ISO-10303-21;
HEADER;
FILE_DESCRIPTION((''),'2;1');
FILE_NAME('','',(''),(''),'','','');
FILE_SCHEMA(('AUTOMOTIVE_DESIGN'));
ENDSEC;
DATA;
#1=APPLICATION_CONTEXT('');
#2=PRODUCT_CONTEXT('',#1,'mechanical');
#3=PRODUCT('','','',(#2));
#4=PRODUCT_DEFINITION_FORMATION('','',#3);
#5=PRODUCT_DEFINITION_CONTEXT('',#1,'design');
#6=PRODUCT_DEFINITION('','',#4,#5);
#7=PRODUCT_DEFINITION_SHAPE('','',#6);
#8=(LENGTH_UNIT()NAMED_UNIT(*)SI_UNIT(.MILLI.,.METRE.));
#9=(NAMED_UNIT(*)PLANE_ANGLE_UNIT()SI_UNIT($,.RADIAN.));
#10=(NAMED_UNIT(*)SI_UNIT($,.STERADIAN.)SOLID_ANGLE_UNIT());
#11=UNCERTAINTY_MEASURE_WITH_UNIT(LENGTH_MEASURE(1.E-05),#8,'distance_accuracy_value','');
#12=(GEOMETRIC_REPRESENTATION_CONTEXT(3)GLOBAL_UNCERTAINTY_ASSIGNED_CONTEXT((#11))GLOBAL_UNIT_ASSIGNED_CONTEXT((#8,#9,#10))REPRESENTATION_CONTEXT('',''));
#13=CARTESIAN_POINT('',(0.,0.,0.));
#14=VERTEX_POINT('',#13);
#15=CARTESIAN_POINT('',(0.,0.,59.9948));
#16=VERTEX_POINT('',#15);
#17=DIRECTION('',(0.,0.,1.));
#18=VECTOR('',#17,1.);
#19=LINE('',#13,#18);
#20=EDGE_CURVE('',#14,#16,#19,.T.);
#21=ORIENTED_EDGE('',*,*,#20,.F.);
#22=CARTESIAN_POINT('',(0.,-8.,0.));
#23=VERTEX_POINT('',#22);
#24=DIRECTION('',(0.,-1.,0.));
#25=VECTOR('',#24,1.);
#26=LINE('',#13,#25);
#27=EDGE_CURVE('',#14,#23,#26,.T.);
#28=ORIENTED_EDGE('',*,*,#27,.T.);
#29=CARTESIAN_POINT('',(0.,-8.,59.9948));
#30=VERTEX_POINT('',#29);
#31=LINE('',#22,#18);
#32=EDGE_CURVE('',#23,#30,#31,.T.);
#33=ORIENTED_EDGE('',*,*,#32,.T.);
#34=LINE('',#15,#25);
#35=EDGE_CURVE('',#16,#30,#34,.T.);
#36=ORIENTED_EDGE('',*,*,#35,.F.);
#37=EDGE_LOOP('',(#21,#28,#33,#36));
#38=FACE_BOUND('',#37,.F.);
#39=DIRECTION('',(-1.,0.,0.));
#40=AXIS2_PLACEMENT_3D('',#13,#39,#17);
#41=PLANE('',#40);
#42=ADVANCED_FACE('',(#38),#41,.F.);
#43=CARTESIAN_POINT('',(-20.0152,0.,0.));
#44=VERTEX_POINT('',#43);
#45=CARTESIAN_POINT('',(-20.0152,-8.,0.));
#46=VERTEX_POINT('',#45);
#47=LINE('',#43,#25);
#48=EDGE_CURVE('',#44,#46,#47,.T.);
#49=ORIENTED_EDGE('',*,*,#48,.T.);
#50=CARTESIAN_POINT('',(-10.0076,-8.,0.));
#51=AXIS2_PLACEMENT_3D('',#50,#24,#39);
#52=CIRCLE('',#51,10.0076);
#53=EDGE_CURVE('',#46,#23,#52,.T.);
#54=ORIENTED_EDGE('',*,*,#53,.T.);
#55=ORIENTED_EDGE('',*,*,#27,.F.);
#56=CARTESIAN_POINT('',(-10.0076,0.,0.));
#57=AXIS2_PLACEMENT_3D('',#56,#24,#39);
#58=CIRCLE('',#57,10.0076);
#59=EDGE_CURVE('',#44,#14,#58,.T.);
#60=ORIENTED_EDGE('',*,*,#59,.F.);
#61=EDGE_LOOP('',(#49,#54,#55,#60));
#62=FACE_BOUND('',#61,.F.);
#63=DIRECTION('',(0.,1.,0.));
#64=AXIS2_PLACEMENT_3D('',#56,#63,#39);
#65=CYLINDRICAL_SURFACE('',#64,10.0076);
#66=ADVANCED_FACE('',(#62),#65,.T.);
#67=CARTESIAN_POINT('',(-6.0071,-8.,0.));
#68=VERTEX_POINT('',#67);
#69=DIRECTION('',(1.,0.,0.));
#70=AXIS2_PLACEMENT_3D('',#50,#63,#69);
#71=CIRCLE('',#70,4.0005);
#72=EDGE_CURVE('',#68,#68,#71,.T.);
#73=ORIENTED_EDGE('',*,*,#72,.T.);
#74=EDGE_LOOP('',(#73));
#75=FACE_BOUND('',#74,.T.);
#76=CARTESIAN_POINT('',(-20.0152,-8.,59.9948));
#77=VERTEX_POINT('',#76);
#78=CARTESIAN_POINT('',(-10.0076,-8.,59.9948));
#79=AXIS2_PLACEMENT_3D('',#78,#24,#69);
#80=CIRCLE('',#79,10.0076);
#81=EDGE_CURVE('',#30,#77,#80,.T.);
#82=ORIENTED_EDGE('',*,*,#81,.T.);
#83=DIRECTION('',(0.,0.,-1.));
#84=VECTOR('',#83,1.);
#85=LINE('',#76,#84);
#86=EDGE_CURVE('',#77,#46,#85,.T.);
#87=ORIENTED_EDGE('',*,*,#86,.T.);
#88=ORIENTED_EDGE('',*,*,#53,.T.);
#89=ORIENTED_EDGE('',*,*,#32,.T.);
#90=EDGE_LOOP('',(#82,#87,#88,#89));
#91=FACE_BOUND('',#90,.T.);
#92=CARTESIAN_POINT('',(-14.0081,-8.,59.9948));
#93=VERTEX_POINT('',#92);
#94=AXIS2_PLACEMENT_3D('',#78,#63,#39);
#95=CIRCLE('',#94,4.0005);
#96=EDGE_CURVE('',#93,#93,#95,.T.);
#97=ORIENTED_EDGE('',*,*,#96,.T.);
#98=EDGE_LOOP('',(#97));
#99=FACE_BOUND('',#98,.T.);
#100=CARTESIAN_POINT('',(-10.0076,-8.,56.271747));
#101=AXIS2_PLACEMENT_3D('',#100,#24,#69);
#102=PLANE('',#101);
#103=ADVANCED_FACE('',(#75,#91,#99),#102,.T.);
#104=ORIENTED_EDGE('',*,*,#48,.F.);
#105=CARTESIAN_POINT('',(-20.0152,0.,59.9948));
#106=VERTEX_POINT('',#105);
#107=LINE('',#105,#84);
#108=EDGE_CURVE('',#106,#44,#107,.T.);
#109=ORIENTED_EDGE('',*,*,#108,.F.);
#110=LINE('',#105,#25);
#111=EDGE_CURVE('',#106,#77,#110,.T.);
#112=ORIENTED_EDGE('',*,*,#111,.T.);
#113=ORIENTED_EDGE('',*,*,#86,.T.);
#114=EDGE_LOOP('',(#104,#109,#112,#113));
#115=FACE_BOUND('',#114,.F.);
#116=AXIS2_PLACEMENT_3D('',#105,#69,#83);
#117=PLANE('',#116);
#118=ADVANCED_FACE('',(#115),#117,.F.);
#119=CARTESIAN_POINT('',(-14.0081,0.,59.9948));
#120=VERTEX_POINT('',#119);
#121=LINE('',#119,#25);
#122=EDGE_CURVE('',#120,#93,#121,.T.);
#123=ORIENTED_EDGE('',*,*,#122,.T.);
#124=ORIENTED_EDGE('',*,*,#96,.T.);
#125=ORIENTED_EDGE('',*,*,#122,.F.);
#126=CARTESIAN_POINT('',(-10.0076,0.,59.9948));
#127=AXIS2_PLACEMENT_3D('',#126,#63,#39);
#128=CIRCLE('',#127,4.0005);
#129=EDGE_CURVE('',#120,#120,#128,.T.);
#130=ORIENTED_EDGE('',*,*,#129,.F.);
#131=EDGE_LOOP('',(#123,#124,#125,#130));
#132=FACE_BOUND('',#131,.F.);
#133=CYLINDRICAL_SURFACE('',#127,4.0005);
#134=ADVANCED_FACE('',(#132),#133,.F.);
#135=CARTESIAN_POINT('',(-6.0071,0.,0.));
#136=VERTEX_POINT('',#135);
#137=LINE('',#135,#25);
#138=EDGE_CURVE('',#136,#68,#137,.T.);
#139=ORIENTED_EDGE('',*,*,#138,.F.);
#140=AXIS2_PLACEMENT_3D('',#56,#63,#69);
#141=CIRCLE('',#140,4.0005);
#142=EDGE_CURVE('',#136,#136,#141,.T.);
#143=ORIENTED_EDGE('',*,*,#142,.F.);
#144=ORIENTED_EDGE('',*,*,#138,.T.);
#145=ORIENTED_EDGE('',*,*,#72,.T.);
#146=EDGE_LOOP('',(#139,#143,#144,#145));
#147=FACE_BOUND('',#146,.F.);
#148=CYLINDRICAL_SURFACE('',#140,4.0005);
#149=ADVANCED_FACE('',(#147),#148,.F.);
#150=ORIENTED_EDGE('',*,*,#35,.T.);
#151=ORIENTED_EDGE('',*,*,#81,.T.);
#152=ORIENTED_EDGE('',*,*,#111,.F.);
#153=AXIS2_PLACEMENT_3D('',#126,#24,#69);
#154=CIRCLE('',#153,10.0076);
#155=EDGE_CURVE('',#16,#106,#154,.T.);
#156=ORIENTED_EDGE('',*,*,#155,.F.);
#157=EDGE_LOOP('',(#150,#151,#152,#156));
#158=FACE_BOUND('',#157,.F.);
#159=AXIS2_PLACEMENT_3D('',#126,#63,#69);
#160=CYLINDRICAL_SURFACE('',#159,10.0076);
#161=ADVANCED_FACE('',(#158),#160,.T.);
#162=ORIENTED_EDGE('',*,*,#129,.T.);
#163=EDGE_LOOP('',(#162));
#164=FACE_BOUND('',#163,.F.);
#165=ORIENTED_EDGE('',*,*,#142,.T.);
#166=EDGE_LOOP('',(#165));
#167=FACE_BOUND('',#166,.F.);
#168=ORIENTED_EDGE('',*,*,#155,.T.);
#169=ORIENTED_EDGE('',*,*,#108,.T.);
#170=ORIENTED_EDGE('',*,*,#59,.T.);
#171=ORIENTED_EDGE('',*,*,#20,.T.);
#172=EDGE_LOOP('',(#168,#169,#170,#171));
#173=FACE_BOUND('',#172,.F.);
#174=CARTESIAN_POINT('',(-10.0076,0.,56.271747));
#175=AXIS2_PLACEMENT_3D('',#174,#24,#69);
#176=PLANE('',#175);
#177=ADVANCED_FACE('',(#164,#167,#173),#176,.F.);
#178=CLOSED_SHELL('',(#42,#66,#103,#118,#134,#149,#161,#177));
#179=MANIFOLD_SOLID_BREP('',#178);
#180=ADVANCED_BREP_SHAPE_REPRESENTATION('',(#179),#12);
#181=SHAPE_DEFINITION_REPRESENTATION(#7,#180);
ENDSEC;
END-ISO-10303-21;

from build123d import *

# Parameters (mm, degrees)
F1_DEPTH = 8


with BuildPart() as f1:
    # F0 (on Front) → F1 (new body)
    with BuildSketch(Plane.XZ):
        with BuildLine():
            ThreePointArc((-20.0152, 59.9948), (-10.0076, 49.9872), (0, 59.9948))
            Line((0, 59.9948), (-6.0071, 59.9948))
            ThreePointArc((-6.0071, 59.9948), (-10.0076, 55.9943), (-14.0081, 59.9948))
            Line((-14.0081, 59.9948), (-20.0152, 59.9948))
        make_face()
        with BuildLine():
            Line((-6.0071, 59.9948), (0, 59.9948))
            ThreePointArc((0, 59.9948), (-10.0076, 70.0024), (-20.0152, 59.9948))
            Line((-20.0152, 59.9948), (-14.0081, 59.9948))
            ThreePointArc((-14.0081, 59.9948), (-10.0076, 63.9953), (-6.0071, 59.9948))
        make_face()
        with BuildLine():
            ThreePointArc((-20.0152, 0), (-10.0076, 10.0076), (0, 0))
            Line((0, 0), (0, 59.9948))
            ThreePointArc((0, 59.9948), (-10.0076, 49.9872), (-20.0152, 59.9948))
            Line((-20.0152, 59.9948), (-20.0152, 0))
        make_face()
        with BuildLine():
            ThreePointArc((-20.0152, 0), (-10.0076, -10.0076), (0, 0))
            Line((0, 0), (-6.0071, 0))
            ThreePointArc((-6.0071, 0), (-10.0076, -4.0005), (-14.0081, 0))
            Line((-14.0081, 0), (-20.0152, 0))
        make_face()
        with BuildLine():
            Line((-6.0071, 0), (0, 0))
            ThreePointArc((0, 0), (-10.0076, 10.0076), (-20.0152, 0))
            Line((-20.0152, 0), (-14.0081, 0))
            ThreePointArc((-14.0081, 0), (-10.0076, 4.0005), (-6.0071, 0))
        make_face()
    extrude(amount=F1_DEPTH)


solid = f1.part
